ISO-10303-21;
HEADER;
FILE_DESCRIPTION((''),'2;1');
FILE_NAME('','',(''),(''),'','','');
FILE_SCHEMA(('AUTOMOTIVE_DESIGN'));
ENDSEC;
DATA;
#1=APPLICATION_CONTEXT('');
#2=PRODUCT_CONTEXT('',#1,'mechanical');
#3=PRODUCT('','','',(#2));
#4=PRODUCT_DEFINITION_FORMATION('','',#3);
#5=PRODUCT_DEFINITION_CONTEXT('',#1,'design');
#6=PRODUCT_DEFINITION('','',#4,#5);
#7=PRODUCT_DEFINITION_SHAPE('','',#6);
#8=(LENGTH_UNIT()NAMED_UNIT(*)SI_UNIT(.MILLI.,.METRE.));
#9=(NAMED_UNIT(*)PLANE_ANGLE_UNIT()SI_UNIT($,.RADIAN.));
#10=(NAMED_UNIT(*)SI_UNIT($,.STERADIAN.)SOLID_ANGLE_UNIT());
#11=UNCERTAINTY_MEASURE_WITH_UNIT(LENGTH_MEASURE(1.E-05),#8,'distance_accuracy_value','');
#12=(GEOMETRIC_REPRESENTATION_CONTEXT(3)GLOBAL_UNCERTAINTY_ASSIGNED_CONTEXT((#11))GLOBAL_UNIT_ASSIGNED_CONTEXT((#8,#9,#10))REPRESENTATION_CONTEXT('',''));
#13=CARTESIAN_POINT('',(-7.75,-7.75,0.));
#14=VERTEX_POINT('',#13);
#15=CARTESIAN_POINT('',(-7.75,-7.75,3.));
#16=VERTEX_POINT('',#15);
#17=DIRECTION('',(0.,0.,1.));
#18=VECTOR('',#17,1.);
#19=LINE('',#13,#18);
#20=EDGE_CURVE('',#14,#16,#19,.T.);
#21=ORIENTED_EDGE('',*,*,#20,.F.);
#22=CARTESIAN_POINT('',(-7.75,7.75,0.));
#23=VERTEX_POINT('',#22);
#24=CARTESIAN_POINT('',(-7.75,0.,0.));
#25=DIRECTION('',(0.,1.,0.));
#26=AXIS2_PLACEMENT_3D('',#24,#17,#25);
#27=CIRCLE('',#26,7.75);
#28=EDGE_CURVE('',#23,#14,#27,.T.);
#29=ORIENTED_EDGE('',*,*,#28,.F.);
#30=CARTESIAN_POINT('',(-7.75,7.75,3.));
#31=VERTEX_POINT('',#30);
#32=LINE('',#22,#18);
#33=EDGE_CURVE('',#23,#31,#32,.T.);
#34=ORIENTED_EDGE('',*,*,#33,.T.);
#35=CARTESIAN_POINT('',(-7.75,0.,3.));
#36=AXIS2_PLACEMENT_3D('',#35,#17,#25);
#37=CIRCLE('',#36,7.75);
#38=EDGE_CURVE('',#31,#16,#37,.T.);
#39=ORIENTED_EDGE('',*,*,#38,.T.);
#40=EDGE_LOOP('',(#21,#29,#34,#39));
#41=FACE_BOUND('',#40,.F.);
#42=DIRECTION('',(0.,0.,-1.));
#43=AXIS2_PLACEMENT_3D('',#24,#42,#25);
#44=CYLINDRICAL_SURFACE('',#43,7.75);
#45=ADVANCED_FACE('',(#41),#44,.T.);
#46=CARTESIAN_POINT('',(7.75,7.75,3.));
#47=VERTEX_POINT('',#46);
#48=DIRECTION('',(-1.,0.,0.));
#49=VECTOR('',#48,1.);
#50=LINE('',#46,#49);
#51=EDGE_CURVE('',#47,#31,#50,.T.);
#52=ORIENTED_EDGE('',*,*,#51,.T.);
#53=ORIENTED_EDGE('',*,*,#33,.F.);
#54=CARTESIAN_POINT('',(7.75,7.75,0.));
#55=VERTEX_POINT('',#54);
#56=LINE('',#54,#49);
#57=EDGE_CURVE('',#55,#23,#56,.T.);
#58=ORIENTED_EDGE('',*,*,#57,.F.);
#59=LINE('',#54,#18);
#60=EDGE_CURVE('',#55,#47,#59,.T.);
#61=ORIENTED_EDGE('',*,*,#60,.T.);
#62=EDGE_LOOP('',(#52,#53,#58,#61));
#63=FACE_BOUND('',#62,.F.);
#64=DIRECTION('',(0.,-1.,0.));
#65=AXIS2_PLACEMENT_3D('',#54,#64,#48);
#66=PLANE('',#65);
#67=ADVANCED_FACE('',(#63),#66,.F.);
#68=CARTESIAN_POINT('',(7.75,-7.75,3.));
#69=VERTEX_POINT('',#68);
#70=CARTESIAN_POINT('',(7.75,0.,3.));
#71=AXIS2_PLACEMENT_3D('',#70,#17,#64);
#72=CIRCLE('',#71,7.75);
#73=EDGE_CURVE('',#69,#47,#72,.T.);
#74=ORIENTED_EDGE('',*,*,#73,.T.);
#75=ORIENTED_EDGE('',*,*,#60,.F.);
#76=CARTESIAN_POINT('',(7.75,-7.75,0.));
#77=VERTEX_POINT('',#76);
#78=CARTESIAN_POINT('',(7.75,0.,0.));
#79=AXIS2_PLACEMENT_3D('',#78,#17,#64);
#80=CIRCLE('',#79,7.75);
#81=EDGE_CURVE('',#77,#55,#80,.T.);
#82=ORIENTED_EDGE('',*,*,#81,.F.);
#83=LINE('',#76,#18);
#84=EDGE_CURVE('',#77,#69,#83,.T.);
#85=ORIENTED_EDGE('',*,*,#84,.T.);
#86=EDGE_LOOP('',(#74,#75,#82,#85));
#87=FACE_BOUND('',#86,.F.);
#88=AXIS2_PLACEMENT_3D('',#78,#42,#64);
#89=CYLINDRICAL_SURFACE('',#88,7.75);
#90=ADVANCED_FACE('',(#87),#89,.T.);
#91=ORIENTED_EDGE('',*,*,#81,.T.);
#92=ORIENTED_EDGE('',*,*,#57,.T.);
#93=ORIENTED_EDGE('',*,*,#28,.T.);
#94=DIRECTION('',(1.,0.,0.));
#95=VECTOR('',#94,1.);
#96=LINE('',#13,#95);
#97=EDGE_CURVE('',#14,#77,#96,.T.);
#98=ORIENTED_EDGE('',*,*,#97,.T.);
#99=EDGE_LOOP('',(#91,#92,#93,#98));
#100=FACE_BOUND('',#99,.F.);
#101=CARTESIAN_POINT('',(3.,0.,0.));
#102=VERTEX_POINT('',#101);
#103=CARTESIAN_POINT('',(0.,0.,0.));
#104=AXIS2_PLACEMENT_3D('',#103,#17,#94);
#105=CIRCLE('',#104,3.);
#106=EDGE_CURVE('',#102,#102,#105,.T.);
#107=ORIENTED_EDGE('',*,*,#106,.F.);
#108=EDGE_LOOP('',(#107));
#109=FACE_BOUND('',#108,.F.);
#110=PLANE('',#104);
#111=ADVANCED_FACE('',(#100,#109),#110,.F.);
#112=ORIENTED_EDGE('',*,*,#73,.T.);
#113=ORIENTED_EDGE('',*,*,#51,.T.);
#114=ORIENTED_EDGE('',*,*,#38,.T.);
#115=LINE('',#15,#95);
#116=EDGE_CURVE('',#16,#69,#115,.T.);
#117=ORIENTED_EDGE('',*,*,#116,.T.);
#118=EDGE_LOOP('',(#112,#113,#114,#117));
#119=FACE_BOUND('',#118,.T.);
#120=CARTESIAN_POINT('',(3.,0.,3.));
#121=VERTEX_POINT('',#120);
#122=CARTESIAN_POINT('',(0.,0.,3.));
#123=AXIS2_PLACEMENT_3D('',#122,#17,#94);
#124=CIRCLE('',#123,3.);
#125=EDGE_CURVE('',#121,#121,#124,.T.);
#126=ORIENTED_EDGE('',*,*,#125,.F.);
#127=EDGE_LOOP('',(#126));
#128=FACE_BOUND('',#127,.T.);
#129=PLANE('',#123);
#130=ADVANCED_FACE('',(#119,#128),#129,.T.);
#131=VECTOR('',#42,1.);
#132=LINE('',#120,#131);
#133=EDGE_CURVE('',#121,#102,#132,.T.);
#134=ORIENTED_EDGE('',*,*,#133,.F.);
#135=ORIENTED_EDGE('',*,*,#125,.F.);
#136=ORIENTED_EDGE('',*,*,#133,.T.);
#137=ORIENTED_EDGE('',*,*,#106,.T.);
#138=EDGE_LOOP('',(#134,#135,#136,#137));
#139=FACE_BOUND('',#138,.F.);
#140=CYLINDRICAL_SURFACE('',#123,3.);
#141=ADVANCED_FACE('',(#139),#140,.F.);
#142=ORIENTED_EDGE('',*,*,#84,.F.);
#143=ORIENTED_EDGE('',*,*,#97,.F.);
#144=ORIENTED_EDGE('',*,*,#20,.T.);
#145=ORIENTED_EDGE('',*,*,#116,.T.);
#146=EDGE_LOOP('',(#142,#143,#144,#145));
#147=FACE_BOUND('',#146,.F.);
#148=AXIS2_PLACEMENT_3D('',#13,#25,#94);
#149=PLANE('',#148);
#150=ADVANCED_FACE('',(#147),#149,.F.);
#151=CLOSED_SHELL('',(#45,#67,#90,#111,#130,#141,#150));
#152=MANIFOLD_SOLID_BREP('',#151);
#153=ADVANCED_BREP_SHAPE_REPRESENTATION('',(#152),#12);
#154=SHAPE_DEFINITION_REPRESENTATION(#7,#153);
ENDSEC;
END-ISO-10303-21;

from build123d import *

# Parameters (mm, degrees)
F0_R     = 3
F1_DEPTH = 3
F2_R     = 3
F3_DEPTH = 25


with BuildPart() as f1:
    # F0 (on Top) → F1 (new body)
    with BuildSketch(Plane.XY):
        with BuildLine():
            Line((7.75, 7.75), (-7.75, 7.75))
            ThreePointArc((-7.75, 7.75), (-15.5, 0), (-7.75, -7.75))
            Line((-7.75, -7.75), (7.75, -7.75))
            ThreePointArc((7.75, -7.75), (15.5, 0), (7.75, 7.75))
        make_face()
        Circle(F0_R, mode=Mode.SUBTRACT)
        Circle(F0_R)
    extrude(amount=F1_DEPTH)

    # F2 (on face) → F3 (cut)
    with BuildSketch(Plane.XY.offset(3)):
        Circle(F2_R)
    extrude(amount=-F3_DEPTH, mode=Mode.SUBTRACT)


solid = f1.part
